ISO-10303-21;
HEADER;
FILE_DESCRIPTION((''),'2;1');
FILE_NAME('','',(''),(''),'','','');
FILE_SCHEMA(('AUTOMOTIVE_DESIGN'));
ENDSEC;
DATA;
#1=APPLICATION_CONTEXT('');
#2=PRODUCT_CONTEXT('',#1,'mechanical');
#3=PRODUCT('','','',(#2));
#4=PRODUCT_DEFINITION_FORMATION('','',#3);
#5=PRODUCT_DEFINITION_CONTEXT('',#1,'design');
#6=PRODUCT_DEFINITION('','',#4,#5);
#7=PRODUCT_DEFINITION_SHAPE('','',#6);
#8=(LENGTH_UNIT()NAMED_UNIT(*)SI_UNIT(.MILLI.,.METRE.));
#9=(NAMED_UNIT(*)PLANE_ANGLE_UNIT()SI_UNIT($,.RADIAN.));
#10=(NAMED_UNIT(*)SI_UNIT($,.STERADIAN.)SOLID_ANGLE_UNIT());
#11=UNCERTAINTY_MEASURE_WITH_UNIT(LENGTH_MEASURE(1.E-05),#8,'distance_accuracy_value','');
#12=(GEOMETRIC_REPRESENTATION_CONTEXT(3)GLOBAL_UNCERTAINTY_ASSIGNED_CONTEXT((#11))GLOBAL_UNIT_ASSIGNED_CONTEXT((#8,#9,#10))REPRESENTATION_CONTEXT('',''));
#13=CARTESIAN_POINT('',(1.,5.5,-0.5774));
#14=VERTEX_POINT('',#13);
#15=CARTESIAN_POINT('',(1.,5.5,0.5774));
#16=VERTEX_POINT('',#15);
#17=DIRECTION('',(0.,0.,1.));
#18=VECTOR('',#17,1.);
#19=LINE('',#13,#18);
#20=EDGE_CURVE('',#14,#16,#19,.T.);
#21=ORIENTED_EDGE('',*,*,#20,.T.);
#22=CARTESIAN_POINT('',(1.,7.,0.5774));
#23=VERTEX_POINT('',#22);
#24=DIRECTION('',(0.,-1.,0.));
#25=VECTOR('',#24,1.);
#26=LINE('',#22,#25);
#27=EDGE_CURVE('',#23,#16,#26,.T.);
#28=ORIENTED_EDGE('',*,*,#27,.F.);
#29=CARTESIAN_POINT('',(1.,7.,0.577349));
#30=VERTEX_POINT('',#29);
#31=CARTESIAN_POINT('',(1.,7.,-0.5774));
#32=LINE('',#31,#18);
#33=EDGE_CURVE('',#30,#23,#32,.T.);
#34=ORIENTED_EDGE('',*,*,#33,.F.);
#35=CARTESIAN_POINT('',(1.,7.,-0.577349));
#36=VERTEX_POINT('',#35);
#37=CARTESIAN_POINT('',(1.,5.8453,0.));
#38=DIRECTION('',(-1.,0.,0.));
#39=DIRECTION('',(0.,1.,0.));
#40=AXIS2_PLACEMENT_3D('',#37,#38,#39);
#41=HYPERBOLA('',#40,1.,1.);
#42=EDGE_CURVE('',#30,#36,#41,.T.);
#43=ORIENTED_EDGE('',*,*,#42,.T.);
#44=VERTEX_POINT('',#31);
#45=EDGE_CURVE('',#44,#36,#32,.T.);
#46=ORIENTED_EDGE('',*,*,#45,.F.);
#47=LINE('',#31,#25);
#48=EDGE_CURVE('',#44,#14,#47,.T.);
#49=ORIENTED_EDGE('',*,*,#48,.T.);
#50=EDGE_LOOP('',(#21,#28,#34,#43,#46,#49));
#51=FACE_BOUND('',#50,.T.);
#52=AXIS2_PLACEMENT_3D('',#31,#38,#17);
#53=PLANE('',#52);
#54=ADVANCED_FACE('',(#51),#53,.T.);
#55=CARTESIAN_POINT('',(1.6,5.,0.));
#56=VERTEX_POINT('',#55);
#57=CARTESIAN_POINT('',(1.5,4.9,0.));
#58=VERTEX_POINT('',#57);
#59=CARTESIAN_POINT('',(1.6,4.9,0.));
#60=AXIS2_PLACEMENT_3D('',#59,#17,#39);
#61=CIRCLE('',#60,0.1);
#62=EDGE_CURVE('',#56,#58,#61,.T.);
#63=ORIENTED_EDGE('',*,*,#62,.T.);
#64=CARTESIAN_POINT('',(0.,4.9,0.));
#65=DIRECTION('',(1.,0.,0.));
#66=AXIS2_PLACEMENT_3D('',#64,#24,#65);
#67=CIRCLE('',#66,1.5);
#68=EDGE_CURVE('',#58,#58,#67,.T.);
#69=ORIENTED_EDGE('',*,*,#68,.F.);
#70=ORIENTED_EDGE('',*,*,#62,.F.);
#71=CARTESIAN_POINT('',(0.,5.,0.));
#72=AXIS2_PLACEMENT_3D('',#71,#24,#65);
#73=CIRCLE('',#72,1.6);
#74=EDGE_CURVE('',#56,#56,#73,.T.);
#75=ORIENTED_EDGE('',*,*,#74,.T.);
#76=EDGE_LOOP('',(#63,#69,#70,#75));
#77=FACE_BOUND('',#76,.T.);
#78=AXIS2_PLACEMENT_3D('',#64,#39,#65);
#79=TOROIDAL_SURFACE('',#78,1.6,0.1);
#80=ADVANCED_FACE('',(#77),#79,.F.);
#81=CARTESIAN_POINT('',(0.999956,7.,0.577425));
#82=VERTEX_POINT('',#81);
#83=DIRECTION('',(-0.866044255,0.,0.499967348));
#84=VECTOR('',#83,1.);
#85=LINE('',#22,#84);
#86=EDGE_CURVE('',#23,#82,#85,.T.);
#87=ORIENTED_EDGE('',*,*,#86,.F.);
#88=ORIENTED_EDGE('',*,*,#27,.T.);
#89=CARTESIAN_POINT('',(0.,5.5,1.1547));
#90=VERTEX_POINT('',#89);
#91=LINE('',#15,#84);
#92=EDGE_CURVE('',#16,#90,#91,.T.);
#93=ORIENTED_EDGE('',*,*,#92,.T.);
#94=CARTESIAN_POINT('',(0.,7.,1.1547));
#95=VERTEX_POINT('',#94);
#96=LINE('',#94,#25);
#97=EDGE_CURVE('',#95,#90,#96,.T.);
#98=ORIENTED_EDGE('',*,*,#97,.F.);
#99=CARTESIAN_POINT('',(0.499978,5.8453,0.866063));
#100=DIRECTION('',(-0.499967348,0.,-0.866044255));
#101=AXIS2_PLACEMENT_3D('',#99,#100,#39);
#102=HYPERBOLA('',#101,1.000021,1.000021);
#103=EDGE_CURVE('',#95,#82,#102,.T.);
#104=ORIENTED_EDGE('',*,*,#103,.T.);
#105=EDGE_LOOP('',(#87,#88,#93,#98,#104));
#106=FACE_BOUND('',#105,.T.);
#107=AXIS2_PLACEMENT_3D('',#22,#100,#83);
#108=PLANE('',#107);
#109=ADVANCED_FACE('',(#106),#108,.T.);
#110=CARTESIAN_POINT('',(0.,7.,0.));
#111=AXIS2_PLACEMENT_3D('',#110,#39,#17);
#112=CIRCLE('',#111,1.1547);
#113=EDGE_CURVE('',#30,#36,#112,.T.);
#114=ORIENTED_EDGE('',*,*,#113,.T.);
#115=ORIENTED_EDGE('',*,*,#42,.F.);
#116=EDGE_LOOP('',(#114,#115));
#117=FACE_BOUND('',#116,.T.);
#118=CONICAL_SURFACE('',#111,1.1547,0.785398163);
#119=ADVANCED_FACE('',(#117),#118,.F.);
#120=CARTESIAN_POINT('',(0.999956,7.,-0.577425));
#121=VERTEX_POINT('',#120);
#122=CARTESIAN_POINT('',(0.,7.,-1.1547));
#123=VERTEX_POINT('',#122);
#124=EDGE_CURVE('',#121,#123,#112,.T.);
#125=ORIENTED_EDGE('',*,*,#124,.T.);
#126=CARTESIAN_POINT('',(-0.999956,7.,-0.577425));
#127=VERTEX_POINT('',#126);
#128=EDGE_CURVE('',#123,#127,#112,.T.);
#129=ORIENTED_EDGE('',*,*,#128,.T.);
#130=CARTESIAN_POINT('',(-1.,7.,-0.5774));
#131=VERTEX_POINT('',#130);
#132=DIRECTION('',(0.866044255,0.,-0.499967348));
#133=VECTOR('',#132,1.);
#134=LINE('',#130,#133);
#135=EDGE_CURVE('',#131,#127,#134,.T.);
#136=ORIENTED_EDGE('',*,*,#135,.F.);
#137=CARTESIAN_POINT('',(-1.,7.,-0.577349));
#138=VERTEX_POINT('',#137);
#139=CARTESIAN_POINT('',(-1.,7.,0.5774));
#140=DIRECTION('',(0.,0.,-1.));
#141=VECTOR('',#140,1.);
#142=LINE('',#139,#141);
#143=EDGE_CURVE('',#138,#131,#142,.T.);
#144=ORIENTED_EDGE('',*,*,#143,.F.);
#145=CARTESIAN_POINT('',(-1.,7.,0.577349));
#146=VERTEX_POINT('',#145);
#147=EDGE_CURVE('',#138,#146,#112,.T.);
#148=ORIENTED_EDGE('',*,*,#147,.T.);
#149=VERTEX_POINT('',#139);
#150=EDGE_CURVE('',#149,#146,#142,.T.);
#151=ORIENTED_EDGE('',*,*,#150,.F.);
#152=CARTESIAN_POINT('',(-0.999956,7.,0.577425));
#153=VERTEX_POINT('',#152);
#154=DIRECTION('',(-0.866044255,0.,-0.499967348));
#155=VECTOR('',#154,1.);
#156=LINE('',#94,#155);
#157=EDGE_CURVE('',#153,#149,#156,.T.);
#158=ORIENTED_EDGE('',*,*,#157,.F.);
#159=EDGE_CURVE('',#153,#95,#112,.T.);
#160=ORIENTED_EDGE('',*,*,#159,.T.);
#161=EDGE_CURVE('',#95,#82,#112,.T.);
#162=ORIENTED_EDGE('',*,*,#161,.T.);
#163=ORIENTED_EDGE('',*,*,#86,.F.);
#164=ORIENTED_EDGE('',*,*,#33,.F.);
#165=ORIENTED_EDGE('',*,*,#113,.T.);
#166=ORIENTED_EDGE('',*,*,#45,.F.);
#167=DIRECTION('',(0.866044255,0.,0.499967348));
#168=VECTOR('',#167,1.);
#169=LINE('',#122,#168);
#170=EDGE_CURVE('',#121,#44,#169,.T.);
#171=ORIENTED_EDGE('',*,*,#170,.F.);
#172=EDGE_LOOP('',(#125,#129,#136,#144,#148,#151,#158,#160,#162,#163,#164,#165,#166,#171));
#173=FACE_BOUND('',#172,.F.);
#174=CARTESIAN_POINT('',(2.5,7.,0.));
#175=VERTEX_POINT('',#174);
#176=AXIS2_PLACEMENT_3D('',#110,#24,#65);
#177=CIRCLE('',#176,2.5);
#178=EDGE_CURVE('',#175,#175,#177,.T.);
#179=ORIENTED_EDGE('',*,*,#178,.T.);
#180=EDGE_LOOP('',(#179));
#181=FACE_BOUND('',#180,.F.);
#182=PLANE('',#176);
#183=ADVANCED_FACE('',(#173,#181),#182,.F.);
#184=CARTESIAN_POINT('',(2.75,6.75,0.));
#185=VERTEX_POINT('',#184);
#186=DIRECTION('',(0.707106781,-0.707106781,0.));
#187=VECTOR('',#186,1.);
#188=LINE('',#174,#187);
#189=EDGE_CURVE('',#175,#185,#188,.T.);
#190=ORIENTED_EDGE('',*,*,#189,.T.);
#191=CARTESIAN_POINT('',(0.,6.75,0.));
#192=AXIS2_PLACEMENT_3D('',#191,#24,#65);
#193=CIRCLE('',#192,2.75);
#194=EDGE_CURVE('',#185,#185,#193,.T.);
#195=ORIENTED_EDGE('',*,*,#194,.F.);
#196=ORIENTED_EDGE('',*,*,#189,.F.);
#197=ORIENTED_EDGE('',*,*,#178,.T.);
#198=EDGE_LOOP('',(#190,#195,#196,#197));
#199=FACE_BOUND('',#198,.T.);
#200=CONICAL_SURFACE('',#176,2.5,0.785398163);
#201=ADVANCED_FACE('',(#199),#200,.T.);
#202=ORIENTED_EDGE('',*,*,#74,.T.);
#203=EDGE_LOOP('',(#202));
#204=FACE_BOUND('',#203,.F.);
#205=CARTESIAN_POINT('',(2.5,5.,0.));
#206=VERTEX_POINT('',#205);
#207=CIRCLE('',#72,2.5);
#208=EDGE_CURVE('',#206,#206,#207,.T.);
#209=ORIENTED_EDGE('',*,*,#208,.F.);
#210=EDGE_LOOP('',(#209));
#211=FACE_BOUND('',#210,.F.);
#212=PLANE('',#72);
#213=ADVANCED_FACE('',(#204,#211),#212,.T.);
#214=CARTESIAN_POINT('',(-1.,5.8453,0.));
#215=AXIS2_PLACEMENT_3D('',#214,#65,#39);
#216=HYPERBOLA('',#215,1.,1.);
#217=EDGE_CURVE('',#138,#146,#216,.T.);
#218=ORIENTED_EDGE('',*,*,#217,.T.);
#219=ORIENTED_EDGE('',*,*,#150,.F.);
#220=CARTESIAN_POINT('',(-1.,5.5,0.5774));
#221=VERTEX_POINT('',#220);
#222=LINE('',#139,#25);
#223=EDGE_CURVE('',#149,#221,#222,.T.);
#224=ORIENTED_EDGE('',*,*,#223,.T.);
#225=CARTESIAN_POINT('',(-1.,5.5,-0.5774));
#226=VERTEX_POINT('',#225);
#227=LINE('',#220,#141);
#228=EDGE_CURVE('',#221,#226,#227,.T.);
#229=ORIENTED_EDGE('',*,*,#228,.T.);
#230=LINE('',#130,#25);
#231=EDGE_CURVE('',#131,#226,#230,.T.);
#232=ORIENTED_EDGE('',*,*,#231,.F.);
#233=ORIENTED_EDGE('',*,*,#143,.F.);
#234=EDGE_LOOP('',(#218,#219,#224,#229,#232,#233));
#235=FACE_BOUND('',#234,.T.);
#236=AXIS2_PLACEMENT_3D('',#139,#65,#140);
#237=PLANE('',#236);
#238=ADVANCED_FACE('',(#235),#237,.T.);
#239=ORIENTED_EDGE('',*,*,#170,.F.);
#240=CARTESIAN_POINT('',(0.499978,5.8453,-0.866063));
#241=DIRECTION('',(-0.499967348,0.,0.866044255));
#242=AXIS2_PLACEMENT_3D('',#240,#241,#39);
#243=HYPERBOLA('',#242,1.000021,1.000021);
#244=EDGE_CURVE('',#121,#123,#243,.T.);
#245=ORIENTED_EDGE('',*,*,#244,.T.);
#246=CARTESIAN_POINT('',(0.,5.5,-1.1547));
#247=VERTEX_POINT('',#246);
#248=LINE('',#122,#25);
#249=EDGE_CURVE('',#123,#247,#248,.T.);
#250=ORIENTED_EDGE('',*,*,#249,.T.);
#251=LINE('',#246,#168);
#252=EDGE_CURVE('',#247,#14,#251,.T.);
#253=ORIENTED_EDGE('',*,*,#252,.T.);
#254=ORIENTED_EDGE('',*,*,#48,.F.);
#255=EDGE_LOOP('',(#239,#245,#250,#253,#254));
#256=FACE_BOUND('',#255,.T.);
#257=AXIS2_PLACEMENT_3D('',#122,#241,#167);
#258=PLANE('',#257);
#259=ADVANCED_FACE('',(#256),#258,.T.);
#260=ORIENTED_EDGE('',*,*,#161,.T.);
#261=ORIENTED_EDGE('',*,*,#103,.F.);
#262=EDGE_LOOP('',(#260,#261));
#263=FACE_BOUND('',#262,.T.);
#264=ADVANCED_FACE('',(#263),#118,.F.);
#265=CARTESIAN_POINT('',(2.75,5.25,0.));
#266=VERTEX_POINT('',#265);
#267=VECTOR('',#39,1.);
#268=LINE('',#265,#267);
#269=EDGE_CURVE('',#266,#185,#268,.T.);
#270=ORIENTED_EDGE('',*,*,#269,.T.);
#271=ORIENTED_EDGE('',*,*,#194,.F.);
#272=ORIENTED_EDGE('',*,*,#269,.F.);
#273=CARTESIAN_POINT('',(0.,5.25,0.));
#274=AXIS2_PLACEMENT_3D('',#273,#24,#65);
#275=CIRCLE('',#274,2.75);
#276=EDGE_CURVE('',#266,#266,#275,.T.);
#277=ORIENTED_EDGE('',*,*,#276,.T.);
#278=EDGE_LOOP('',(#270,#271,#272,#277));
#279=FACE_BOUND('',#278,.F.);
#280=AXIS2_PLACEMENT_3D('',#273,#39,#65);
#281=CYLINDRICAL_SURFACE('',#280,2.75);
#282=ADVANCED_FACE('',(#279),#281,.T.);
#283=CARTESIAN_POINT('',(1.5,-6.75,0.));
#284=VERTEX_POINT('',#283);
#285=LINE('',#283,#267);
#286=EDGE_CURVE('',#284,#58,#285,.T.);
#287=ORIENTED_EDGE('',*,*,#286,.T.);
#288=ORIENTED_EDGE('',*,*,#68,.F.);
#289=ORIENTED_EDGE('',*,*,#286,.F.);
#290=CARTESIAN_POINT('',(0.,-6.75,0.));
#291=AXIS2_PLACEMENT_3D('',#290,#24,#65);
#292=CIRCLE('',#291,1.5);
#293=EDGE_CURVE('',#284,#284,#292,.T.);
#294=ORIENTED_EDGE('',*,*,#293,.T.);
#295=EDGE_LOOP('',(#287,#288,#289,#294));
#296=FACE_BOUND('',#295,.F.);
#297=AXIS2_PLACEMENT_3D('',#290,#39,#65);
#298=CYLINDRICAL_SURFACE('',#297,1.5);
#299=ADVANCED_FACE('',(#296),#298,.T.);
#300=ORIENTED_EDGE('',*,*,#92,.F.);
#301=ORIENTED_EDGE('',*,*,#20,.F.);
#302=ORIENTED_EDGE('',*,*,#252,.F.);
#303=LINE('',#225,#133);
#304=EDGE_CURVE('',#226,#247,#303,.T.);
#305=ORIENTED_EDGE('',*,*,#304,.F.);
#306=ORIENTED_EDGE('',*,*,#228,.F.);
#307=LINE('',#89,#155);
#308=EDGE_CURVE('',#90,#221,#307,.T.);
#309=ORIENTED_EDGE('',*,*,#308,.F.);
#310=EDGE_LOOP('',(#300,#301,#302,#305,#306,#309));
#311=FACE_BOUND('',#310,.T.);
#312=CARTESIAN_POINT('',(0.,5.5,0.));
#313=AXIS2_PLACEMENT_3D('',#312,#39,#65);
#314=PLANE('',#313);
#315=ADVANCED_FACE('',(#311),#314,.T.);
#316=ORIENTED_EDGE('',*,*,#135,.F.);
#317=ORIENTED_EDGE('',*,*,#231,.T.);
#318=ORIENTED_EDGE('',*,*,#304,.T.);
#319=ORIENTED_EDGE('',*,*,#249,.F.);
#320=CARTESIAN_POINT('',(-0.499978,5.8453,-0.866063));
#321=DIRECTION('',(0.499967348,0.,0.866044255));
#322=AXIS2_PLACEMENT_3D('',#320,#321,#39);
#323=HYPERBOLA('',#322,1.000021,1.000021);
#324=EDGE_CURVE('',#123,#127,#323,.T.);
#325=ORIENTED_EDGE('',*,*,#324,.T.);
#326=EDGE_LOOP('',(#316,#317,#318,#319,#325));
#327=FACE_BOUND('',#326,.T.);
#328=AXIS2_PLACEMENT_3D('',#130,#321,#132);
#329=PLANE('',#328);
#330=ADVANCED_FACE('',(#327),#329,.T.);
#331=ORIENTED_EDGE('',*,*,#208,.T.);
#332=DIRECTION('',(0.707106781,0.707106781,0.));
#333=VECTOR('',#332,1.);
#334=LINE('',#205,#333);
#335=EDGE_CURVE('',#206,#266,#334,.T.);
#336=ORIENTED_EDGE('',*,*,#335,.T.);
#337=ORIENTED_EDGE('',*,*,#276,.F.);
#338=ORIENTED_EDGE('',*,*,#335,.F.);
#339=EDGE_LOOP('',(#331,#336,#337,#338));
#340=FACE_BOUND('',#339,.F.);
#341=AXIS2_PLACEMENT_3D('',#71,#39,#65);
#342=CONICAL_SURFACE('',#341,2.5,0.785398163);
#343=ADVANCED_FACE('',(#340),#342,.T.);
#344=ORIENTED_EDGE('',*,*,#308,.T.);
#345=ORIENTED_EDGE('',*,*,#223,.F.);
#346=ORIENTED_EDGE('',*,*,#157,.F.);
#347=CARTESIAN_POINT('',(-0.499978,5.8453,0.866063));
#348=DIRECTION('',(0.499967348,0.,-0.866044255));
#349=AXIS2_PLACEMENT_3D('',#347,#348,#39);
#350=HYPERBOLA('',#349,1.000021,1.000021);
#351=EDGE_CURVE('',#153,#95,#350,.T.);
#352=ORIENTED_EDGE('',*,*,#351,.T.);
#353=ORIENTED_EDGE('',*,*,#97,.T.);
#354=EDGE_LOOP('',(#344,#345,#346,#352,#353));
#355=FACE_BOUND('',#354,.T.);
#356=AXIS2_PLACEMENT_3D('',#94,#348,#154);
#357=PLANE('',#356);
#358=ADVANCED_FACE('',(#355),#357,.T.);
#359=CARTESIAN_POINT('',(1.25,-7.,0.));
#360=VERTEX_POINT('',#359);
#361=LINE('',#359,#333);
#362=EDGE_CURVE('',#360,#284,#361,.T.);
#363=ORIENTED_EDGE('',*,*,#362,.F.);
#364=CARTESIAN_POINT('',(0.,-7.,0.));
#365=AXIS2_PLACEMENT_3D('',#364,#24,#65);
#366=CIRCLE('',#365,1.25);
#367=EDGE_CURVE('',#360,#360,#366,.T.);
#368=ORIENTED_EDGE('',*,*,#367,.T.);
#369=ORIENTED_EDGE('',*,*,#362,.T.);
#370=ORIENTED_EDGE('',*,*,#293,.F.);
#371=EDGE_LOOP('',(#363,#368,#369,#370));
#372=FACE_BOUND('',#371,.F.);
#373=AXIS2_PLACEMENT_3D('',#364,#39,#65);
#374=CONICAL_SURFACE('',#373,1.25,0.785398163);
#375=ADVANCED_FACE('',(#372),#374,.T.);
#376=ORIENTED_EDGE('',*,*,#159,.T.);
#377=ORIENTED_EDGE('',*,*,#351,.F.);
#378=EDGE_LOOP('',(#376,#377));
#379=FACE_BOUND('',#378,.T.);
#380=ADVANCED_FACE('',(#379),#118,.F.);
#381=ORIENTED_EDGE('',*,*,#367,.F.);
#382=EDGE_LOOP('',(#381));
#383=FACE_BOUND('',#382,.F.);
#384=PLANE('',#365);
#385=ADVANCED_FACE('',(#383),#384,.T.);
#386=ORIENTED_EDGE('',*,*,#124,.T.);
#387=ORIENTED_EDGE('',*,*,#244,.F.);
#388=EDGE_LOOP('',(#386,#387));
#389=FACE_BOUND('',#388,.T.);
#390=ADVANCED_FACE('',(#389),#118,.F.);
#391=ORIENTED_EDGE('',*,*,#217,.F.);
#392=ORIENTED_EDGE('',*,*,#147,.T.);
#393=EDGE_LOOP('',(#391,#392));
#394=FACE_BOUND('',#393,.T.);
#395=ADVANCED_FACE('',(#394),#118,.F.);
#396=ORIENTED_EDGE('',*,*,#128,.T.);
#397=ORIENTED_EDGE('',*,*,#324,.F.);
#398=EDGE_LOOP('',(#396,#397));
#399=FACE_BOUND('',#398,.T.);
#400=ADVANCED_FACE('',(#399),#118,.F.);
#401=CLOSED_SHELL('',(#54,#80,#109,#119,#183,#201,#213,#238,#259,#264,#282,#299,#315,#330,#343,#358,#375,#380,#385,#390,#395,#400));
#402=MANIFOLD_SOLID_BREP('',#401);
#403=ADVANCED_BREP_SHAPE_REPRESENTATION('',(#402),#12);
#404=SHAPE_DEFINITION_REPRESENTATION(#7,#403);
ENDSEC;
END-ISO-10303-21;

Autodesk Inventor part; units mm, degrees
ref_plane "YZ Plane" through (0, 0, 0) normal (1, 0, 0) x (0, 1, 0)
ref_plane "XZ Plane" through (0, 0, 0) normal (0, 1, 0) x (-1, 0, 0)
ref_plane "XY Plane" through (0, 0, 0) normal (0, 0, 1) x (1, 0, 0)
sketch "Sketch1" plane through (0, 0, 0) normal (0, 0, 1) x (1, 0, 0)
  line L0 (0, 7) -> (0, -7)
  line L1 (0, -7) -> (1.25, -7)
  line L2 (1.25, -7) -> (1.5, -6.75)
  line L3 (1.5, -6.75) -> (1.5, 4.9)
  line L4 (1.6, 5) -> (2.5, 5)
  line L5 (2.75, 5.25) -> (2.75, 6.75)
  line L6 (2.5, 7) -> (0, 7)
  arc A0 (1.6, 5) -> (1.5, 4.9) centre (1.6, 4.9) ccw
  line L7 (2.5, 7) -> (2.75, 6.75)
  line L8 (2.5, 5) -> (2.75, 5.25)
  point P0 (0, 0)
  point P1 (2.75, 5)
  point P2 (2.75, 7)
  point P3 (0, 0)
  dimension "d0" = 5.5
  dimension "d1" = 2
  dimension "d3" = 3
  dimension "d4" = 3.2
  dimension "d5" = 135
  dimension "d6" = 0.25
  dimension "d7" = 12
  dimension "d9" = 0.25
revolve "Revolution1" add sketch "Sketch1" angle 360 about axis through (0, 7, 0) along (0, -1, 0)
sketch "Sketch2" plane through (0, 7, 0) normal (0, 1, 0) x (1, 0, 0)
  line L0 (0, -1.1547) -> (-1, -0.5774)
  line L1 (-1, -0.5774) -> (-1, 0.5774)
  line L2 (-1, 0.5774) -> (0, 1.1547)
  line L3 (0, 1.1547) -> (1, 0.5774)
  line L4 (1, 0.5774) -> (1, -0.5774)
  line L5 (1, -0.5774) -> (0, -1.1547)
  point P0 (0, 0)
  point P1 (0, 0)
  dimension "d11" = 2
extrude "Extrusion1" cut sketch "Sketch2" against normal blind 1.5
thread "Thread1" size "M3x0.35" class "6g" standard "ANSI Metric M Profile" full length
sketch "Sketch3" plane through (0, 0, 0) normal (1, 0, 0) x (0, 1, 0)
  line L0 (7, 1.1547) -> (6, 0.1547)
  line L1 (6, 0.1547) -> (7, 0.1547)
  line L2 (7, 0.1547) -> (7, 1.1547)
  line L3 (-1.4, 0) -> (8.4, 0) projected
  point P0 (0, 0)
  dimension "d18" = 1
revolve "Revolution2" cut sketch "Sketch3" angle 360 about axis through (0, -10, 0) along (0, 1, 0)
properties part number "Bolt_M3x0.35_12mm_SH" material "Stainless Steel"
